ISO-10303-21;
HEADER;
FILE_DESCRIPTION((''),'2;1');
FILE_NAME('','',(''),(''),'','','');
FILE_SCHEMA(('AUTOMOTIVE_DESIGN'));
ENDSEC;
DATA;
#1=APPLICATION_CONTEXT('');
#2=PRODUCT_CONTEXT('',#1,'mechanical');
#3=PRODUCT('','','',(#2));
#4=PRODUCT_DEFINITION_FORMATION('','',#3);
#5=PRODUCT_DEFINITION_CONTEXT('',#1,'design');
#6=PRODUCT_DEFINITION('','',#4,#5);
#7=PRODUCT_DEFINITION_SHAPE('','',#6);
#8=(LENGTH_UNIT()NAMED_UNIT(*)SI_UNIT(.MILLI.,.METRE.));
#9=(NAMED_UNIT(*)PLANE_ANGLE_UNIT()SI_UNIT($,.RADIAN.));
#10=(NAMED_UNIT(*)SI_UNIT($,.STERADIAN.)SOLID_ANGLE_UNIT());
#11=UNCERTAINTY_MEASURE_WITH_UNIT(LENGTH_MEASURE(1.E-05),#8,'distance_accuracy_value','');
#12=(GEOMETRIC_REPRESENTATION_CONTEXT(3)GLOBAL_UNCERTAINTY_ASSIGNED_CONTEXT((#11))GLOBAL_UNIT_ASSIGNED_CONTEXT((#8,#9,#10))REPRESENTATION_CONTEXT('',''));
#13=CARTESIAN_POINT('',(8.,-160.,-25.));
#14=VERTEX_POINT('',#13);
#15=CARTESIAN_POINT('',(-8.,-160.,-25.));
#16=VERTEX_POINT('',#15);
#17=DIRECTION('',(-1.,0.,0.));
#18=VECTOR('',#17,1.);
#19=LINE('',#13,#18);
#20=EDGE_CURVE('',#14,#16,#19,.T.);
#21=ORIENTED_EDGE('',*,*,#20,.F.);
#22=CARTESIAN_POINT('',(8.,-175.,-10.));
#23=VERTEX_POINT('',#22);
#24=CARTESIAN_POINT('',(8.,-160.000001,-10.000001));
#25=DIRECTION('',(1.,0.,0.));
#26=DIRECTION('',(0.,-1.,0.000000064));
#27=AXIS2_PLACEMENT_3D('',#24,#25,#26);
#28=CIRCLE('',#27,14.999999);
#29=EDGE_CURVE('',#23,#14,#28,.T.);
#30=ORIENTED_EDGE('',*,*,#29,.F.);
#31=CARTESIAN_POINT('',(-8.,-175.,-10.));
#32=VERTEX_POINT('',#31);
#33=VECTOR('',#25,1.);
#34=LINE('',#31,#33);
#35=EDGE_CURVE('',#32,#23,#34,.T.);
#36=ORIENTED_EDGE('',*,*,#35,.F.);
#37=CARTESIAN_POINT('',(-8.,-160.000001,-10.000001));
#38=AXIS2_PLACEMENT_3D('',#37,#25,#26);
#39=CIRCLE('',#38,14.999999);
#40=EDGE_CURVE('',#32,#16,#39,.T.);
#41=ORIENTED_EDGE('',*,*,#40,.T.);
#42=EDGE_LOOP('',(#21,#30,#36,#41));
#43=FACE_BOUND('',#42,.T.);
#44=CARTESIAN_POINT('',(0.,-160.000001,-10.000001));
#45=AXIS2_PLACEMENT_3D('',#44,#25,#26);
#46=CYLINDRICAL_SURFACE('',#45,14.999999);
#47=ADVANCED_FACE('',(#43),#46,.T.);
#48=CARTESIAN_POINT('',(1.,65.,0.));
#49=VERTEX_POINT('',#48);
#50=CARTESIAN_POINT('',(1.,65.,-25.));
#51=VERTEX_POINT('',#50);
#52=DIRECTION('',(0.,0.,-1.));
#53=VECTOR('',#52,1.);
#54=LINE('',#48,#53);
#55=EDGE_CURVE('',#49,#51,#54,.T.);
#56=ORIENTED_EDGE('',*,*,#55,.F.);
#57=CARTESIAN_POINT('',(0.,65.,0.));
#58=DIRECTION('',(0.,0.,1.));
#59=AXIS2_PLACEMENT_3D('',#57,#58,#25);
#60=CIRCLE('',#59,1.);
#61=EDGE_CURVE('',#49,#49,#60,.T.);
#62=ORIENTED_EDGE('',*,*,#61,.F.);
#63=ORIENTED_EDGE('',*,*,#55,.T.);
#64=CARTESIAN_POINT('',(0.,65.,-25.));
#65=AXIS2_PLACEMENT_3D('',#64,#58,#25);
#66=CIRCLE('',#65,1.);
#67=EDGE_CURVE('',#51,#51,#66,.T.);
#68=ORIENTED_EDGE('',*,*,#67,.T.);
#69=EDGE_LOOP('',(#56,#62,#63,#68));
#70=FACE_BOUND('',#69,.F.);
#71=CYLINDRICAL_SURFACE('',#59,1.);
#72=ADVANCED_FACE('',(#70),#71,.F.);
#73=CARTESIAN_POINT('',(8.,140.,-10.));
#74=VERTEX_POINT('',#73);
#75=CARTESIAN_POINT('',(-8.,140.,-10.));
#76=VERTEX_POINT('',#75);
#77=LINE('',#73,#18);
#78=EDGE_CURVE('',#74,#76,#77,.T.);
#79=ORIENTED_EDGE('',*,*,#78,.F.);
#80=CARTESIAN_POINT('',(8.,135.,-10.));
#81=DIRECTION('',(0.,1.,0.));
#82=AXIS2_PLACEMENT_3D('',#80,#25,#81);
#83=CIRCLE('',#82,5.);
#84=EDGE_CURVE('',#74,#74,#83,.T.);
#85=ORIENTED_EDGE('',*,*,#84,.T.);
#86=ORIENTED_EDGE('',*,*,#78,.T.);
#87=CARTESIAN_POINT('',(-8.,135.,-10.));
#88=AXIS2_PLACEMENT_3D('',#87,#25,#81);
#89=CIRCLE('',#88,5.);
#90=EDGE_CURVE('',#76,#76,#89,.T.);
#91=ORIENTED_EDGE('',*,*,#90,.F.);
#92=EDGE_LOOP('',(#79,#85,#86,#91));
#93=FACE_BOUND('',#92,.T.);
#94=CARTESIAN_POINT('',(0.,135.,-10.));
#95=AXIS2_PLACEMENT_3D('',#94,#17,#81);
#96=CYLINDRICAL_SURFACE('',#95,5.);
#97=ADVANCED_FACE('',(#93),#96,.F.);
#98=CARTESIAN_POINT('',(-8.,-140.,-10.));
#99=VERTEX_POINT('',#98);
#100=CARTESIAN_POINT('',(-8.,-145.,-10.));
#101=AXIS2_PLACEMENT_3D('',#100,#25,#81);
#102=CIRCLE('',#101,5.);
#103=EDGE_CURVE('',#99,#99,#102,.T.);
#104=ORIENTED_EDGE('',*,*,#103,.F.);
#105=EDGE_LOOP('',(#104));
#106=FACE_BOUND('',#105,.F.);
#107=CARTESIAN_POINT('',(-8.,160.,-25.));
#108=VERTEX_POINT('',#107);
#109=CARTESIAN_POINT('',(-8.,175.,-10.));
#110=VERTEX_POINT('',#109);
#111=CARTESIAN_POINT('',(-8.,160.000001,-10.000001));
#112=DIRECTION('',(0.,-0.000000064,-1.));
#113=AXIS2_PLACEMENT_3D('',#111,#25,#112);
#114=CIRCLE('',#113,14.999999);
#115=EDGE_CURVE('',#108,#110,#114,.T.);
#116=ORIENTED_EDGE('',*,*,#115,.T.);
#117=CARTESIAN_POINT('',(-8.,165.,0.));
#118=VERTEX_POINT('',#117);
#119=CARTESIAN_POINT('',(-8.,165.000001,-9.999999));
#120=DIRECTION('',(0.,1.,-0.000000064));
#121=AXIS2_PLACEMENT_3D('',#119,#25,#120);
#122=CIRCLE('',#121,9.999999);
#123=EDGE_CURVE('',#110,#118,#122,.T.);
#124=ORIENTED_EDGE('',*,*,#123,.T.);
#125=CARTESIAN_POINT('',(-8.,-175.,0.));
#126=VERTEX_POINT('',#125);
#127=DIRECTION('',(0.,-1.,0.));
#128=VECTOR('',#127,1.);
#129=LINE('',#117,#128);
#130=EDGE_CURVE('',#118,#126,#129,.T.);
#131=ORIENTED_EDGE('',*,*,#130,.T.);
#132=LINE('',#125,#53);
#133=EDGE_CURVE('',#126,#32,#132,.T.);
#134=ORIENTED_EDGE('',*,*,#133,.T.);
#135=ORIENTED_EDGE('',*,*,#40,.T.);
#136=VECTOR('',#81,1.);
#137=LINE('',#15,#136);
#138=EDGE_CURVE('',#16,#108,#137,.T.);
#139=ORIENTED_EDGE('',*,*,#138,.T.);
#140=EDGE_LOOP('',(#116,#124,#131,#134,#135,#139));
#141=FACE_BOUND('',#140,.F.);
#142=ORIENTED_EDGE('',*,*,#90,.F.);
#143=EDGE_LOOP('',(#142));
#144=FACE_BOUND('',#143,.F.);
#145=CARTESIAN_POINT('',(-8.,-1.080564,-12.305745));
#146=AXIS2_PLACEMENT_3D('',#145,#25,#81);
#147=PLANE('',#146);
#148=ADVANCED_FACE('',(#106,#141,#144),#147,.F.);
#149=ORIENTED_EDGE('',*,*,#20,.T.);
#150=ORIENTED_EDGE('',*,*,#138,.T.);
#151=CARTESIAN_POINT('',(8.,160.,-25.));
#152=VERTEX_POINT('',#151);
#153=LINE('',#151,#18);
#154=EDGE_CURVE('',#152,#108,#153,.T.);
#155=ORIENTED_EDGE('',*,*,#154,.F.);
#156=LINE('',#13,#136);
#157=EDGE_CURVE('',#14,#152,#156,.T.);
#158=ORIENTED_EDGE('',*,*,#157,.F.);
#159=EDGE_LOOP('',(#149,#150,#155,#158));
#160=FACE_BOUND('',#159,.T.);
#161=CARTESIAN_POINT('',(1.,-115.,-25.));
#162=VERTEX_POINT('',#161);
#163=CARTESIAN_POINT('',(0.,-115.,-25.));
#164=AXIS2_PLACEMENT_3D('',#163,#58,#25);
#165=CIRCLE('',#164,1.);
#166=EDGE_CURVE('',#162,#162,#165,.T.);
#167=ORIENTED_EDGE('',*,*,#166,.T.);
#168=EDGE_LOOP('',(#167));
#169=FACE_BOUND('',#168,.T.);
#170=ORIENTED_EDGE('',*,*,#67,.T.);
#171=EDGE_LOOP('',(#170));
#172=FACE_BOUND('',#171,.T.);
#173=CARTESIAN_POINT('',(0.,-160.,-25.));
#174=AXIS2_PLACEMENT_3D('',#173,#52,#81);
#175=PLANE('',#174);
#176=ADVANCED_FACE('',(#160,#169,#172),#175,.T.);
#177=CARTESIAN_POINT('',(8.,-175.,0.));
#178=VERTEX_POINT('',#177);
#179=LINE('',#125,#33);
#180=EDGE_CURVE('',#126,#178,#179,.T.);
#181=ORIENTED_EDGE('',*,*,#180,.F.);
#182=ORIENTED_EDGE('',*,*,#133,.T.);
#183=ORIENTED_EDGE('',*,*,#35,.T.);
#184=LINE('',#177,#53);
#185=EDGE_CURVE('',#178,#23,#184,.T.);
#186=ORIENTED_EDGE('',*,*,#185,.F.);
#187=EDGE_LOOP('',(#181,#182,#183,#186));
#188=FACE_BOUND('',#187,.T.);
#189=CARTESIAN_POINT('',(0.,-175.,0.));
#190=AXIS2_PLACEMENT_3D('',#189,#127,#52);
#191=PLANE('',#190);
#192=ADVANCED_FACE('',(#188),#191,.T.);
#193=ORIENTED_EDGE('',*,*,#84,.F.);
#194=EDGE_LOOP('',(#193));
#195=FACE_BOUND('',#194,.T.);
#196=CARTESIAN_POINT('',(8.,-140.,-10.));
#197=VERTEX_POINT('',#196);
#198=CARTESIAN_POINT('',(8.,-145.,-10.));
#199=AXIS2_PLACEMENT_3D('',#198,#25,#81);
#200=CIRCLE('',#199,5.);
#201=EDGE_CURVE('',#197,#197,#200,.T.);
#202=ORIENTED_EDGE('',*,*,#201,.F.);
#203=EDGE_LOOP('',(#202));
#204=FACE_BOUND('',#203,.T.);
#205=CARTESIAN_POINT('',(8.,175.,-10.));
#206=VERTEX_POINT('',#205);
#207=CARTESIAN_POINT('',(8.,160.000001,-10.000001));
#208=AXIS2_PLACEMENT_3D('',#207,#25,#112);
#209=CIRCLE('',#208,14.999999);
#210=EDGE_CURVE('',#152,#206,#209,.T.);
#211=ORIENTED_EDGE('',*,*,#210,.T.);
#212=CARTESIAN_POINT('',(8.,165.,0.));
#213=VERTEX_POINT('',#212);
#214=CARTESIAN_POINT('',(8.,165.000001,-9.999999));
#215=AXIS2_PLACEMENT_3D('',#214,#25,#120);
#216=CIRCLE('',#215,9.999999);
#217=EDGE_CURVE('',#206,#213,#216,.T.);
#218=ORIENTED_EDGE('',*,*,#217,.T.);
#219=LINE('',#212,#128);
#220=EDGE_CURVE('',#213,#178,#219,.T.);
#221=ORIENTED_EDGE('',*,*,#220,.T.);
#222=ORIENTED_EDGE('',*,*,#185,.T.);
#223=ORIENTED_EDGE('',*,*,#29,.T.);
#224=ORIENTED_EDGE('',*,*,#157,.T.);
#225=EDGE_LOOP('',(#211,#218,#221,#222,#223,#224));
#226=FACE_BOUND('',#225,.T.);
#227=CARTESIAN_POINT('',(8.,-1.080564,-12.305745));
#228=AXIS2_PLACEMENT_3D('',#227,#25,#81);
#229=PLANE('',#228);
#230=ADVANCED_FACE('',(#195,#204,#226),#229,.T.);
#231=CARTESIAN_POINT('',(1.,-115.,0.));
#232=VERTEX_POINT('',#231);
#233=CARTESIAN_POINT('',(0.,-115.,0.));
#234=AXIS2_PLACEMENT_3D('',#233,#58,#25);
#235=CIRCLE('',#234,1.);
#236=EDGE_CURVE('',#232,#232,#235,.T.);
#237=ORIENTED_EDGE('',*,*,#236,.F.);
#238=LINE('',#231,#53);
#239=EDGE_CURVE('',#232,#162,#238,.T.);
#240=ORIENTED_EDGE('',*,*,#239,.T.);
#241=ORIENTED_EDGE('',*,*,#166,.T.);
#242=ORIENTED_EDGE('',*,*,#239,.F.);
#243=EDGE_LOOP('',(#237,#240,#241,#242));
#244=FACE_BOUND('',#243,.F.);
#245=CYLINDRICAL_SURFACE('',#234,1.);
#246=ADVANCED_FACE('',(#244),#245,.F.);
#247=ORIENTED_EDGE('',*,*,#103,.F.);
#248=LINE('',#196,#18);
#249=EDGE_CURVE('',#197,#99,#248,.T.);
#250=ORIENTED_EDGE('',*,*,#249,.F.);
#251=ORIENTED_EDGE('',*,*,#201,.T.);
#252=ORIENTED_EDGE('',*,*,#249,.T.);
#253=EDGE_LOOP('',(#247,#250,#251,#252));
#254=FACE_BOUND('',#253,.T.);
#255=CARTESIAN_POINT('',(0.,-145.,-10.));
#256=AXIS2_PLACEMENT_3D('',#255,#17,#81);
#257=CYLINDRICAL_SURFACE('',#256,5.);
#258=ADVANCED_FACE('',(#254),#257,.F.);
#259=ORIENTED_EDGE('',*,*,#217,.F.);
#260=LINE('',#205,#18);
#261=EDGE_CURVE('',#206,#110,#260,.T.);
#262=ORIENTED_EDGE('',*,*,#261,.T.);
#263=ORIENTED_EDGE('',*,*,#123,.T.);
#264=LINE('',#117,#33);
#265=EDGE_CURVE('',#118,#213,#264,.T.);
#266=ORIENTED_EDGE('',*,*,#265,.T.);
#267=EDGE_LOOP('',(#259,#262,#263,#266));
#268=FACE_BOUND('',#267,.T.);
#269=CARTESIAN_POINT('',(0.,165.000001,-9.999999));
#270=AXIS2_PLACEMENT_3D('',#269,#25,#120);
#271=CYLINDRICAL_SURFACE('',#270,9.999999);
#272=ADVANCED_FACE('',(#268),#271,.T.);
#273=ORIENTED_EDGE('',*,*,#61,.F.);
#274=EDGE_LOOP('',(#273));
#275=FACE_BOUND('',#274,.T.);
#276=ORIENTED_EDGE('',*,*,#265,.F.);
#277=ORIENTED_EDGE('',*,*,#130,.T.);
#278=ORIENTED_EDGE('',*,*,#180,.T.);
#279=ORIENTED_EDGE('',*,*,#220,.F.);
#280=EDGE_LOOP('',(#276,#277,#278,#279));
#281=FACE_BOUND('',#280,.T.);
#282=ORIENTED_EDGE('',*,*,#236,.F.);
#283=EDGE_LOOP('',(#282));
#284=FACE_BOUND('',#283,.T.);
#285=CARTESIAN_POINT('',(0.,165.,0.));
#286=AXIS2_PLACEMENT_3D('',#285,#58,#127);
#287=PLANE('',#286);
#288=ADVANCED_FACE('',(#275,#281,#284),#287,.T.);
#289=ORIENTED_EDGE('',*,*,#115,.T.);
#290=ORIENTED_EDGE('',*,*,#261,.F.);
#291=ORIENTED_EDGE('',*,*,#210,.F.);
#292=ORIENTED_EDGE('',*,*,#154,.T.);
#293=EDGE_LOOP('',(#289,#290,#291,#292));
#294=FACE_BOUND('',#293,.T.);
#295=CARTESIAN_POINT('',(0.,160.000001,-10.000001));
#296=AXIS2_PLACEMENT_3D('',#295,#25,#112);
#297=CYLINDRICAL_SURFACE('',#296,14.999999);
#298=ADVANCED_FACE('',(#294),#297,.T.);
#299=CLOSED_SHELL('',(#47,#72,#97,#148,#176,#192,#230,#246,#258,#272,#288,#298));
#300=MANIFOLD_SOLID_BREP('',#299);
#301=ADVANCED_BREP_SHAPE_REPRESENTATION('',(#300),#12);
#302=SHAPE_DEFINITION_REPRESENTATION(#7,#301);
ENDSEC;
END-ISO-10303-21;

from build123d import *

# Parameters (mm, degrees)
F0_R     = 5
F1_DEPTH = 8
F2_R     = 1
F3_DEPTH = 25.001


with BuildPart() as f1:
    # F0 (on Right) → F1 (new body, symmetric)
    with BuildSketch(Plane.YZ):
        with BuildLine():
            ThreePointArc((175, -10), (172.071068, -2.928932), (165, 0))
            Line((165, 0), (-175, 0))
            Line((-175, 0), (-175, -10))
            ThreePointArc((-175, -10), (-170.606602, -20.606602), (-160, -25))
            Line((-160, -25), (160, -25))
            ThreePointArc((160, -25), (170.606602, -20.606602), (175, -10))
        make_face()
        with Locations((-145, -10)):
            Circle(F0_R, mode=Mode.SUBTRACT)
        with Locations((135, -10)):
            Circle(F0_R, mode=Mode.SUBTRACT)
    extrude(amount=F1_DEPTH, both=True)

    # F2 (on Top) → F3 (cut, through all)
    with BuildSketch(Plane.XY):
        with Locations((0, 65)):
            Circle(F2_R)
        with Locations((0, -115)):
            Circle(F2_R)
    extrude(amount=-F3_DEPTH, mode=Mode.SUBTRACT)


solid = f1.part
